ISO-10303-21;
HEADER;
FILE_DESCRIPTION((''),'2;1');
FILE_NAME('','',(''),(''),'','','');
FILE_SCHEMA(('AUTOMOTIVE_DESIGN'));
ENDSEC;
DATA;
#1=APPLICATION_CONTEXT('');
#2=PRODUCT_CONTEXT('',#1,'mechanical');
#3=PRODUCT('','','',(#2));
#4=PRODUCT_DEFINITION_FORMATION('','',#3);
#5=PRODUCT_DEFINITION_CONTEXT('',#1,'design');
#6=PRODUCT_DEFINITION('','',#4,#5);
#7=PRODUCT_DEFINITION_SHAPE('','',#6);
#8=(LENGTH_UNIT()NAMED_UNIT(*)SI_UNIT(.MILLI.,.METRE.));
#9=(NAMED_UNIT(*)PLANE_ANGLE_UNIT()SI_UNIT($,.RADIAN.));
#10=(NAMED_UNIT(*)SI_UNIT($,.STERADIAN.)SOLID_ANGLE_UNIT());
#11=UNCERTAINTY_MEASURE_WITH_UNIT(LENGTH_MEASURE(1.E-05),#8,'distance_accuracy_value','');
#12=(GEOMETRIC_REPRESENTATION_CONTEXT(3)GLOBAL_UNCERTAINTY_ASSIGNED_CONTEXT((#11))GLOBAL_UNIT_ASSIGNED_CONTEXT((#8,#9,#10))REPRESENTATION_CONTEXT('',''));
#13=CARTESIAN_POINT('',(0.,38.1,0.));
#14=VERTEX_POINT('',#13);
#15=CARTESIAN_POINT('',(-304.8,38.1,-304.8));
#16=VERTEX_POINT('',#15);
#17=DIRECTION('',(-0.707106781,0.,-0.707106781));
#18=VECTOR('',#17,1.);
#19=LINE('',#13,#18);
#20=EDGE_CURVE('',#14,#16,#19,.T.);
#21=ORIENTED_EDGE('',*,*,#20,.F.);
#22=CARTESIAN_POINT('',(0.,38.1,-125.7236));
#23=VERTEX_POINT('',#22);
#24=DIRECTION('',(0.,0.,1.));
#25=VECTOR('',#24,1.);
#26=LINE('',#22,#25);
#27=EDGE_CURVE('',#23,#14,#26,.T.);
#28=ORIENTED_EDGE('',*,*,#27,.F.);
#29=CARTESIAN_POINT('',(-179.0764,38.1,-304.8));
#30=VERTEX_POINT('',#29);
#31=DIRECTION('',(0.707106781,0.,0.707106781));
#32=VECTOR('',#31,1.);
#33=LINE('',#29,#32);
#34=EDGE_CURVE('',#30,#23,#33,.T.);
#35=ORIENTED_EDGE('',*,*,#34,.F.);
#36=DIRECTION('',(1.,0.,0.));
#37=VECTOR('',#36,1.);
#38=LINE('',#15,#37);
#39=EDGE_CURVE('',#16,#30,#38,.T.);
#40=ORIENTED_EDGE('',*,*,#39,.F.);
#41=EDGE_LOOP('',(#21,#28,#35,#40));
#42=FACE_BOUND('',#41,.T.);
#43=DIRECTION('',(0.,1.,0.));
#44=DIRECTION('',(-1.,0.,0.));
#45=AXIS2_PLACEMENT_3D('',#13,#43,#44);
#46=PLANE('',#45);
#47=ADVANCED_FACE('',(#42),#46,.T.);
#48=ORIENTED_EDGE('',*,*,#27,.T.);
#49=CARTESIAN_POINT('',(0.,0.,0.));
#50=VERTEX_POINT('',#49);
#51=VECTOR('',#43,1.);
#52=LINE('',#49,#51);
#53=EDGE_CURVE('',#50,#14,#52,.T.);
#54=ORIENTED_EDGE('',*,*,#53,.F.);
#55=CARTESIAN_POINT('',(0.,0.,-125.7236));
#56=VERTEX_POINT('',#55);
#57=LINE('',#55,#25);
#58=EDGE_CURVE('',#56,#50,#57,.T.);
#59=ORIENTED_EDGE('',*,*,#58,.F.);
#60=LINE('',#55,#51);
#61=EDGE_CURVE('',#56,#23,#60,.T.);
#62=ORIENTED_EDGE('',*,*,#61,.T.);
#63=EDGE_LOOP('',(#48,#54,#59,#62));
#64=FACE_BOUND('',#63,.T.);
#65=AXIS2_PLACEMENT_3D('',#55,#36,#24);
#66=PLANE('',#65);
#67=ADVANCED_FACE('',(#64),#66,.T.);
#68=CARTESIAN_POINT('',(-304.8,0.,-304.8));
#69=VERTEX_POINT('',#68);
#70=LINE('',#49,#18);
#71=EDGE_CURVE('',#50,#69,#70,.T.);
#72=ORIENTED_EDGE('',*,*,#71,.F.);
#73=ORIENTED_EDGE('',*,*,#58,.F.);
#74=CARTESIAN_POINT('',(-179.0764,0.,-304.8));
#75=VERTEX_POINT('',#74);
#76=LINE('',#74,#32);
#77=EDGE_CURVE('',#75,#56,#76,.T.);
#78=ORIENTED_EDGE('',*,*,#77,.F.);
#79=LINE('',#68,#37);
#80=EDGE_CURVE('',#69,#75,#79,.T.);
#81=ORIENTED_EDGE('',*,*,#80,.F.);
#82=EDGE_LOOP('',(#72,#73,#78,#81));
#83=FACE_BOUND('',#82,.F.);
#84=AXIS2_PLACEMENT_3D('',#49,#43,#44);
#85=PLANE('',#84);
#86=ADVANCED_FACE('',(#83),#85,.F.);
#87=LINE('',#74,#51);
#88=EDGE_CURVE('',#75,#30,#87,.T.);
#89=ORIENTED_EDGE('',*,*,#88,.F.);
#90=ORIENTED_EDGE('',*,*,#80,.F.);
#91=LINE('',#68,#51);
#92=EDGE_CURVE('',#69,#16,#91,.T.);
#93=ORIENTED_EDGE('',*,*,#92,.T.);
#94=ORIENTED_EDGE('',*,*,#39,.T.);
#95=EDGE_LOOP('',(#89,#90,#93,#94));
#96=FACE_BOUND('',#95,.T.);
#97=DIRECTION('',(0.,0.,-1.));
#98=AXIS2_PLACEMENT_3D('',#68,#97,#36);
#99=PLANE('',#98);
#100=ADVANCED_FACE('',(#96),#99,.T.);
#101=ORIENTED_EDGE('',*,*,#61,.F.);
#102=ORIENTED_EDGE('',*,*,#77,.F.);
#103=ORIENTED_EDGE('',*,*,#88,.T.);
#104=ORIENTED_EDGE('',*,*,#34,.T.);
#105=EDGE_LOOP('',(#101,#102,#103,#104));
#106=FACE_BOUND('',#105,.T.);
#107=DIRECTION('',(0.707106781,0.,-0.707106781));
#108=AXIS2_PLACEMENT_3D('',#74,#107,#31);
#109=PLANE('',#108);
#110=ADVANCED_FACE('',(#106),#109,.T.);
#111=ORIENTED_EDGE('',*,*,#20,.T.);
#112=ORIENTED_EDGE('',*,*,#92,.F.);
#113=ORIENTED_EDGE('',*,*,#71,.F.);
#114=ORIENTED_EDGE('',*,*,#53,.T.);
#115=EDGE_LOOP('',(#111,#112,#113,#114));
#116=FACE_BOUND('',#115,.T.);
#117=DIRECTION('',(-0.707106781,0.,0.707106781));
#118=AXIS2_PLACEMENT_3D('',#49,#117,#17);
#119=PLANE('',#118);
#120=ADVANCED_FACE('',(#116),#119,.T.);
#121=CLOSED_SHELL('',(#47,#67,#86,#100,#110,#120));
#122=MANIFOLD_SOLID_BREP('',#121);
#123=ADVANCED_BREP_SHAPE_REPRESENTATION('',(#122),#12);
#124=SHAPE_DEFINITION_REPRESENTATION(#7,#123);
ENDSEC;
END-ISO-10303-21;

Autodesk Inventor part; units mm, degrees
ref_plane "YZ Plane" through (0, 0, 0) normal (1, 0, 0) x (0, 1, 0)
ref_plane "XZ Plane" through (0, 0, 0) normal (0, 1, 0) x (-1, 0, 0)
ref_plane "XY Plane" through (0, 0, 0) normal (0, 0, 1) x (1, 0, 0)
sketch "Sketch1" plane through (0, 0, 0) normal (0, 1, 0) x (-1, 0, 0)
  line L0 (304.8, -304.8) -> (179.0764, -304.8)
  line L1 (0, -125.7236) -> (0, 0)
  line L2 (0, 0) -> (304.8, -304.8)
  line L3 (179.0764, -304.8) -> (0, -125.7236)
extrude "Extrusion1" add sketch "Sketch1" along normal blind 38.1
properties part number "S_2x4x14.42"
